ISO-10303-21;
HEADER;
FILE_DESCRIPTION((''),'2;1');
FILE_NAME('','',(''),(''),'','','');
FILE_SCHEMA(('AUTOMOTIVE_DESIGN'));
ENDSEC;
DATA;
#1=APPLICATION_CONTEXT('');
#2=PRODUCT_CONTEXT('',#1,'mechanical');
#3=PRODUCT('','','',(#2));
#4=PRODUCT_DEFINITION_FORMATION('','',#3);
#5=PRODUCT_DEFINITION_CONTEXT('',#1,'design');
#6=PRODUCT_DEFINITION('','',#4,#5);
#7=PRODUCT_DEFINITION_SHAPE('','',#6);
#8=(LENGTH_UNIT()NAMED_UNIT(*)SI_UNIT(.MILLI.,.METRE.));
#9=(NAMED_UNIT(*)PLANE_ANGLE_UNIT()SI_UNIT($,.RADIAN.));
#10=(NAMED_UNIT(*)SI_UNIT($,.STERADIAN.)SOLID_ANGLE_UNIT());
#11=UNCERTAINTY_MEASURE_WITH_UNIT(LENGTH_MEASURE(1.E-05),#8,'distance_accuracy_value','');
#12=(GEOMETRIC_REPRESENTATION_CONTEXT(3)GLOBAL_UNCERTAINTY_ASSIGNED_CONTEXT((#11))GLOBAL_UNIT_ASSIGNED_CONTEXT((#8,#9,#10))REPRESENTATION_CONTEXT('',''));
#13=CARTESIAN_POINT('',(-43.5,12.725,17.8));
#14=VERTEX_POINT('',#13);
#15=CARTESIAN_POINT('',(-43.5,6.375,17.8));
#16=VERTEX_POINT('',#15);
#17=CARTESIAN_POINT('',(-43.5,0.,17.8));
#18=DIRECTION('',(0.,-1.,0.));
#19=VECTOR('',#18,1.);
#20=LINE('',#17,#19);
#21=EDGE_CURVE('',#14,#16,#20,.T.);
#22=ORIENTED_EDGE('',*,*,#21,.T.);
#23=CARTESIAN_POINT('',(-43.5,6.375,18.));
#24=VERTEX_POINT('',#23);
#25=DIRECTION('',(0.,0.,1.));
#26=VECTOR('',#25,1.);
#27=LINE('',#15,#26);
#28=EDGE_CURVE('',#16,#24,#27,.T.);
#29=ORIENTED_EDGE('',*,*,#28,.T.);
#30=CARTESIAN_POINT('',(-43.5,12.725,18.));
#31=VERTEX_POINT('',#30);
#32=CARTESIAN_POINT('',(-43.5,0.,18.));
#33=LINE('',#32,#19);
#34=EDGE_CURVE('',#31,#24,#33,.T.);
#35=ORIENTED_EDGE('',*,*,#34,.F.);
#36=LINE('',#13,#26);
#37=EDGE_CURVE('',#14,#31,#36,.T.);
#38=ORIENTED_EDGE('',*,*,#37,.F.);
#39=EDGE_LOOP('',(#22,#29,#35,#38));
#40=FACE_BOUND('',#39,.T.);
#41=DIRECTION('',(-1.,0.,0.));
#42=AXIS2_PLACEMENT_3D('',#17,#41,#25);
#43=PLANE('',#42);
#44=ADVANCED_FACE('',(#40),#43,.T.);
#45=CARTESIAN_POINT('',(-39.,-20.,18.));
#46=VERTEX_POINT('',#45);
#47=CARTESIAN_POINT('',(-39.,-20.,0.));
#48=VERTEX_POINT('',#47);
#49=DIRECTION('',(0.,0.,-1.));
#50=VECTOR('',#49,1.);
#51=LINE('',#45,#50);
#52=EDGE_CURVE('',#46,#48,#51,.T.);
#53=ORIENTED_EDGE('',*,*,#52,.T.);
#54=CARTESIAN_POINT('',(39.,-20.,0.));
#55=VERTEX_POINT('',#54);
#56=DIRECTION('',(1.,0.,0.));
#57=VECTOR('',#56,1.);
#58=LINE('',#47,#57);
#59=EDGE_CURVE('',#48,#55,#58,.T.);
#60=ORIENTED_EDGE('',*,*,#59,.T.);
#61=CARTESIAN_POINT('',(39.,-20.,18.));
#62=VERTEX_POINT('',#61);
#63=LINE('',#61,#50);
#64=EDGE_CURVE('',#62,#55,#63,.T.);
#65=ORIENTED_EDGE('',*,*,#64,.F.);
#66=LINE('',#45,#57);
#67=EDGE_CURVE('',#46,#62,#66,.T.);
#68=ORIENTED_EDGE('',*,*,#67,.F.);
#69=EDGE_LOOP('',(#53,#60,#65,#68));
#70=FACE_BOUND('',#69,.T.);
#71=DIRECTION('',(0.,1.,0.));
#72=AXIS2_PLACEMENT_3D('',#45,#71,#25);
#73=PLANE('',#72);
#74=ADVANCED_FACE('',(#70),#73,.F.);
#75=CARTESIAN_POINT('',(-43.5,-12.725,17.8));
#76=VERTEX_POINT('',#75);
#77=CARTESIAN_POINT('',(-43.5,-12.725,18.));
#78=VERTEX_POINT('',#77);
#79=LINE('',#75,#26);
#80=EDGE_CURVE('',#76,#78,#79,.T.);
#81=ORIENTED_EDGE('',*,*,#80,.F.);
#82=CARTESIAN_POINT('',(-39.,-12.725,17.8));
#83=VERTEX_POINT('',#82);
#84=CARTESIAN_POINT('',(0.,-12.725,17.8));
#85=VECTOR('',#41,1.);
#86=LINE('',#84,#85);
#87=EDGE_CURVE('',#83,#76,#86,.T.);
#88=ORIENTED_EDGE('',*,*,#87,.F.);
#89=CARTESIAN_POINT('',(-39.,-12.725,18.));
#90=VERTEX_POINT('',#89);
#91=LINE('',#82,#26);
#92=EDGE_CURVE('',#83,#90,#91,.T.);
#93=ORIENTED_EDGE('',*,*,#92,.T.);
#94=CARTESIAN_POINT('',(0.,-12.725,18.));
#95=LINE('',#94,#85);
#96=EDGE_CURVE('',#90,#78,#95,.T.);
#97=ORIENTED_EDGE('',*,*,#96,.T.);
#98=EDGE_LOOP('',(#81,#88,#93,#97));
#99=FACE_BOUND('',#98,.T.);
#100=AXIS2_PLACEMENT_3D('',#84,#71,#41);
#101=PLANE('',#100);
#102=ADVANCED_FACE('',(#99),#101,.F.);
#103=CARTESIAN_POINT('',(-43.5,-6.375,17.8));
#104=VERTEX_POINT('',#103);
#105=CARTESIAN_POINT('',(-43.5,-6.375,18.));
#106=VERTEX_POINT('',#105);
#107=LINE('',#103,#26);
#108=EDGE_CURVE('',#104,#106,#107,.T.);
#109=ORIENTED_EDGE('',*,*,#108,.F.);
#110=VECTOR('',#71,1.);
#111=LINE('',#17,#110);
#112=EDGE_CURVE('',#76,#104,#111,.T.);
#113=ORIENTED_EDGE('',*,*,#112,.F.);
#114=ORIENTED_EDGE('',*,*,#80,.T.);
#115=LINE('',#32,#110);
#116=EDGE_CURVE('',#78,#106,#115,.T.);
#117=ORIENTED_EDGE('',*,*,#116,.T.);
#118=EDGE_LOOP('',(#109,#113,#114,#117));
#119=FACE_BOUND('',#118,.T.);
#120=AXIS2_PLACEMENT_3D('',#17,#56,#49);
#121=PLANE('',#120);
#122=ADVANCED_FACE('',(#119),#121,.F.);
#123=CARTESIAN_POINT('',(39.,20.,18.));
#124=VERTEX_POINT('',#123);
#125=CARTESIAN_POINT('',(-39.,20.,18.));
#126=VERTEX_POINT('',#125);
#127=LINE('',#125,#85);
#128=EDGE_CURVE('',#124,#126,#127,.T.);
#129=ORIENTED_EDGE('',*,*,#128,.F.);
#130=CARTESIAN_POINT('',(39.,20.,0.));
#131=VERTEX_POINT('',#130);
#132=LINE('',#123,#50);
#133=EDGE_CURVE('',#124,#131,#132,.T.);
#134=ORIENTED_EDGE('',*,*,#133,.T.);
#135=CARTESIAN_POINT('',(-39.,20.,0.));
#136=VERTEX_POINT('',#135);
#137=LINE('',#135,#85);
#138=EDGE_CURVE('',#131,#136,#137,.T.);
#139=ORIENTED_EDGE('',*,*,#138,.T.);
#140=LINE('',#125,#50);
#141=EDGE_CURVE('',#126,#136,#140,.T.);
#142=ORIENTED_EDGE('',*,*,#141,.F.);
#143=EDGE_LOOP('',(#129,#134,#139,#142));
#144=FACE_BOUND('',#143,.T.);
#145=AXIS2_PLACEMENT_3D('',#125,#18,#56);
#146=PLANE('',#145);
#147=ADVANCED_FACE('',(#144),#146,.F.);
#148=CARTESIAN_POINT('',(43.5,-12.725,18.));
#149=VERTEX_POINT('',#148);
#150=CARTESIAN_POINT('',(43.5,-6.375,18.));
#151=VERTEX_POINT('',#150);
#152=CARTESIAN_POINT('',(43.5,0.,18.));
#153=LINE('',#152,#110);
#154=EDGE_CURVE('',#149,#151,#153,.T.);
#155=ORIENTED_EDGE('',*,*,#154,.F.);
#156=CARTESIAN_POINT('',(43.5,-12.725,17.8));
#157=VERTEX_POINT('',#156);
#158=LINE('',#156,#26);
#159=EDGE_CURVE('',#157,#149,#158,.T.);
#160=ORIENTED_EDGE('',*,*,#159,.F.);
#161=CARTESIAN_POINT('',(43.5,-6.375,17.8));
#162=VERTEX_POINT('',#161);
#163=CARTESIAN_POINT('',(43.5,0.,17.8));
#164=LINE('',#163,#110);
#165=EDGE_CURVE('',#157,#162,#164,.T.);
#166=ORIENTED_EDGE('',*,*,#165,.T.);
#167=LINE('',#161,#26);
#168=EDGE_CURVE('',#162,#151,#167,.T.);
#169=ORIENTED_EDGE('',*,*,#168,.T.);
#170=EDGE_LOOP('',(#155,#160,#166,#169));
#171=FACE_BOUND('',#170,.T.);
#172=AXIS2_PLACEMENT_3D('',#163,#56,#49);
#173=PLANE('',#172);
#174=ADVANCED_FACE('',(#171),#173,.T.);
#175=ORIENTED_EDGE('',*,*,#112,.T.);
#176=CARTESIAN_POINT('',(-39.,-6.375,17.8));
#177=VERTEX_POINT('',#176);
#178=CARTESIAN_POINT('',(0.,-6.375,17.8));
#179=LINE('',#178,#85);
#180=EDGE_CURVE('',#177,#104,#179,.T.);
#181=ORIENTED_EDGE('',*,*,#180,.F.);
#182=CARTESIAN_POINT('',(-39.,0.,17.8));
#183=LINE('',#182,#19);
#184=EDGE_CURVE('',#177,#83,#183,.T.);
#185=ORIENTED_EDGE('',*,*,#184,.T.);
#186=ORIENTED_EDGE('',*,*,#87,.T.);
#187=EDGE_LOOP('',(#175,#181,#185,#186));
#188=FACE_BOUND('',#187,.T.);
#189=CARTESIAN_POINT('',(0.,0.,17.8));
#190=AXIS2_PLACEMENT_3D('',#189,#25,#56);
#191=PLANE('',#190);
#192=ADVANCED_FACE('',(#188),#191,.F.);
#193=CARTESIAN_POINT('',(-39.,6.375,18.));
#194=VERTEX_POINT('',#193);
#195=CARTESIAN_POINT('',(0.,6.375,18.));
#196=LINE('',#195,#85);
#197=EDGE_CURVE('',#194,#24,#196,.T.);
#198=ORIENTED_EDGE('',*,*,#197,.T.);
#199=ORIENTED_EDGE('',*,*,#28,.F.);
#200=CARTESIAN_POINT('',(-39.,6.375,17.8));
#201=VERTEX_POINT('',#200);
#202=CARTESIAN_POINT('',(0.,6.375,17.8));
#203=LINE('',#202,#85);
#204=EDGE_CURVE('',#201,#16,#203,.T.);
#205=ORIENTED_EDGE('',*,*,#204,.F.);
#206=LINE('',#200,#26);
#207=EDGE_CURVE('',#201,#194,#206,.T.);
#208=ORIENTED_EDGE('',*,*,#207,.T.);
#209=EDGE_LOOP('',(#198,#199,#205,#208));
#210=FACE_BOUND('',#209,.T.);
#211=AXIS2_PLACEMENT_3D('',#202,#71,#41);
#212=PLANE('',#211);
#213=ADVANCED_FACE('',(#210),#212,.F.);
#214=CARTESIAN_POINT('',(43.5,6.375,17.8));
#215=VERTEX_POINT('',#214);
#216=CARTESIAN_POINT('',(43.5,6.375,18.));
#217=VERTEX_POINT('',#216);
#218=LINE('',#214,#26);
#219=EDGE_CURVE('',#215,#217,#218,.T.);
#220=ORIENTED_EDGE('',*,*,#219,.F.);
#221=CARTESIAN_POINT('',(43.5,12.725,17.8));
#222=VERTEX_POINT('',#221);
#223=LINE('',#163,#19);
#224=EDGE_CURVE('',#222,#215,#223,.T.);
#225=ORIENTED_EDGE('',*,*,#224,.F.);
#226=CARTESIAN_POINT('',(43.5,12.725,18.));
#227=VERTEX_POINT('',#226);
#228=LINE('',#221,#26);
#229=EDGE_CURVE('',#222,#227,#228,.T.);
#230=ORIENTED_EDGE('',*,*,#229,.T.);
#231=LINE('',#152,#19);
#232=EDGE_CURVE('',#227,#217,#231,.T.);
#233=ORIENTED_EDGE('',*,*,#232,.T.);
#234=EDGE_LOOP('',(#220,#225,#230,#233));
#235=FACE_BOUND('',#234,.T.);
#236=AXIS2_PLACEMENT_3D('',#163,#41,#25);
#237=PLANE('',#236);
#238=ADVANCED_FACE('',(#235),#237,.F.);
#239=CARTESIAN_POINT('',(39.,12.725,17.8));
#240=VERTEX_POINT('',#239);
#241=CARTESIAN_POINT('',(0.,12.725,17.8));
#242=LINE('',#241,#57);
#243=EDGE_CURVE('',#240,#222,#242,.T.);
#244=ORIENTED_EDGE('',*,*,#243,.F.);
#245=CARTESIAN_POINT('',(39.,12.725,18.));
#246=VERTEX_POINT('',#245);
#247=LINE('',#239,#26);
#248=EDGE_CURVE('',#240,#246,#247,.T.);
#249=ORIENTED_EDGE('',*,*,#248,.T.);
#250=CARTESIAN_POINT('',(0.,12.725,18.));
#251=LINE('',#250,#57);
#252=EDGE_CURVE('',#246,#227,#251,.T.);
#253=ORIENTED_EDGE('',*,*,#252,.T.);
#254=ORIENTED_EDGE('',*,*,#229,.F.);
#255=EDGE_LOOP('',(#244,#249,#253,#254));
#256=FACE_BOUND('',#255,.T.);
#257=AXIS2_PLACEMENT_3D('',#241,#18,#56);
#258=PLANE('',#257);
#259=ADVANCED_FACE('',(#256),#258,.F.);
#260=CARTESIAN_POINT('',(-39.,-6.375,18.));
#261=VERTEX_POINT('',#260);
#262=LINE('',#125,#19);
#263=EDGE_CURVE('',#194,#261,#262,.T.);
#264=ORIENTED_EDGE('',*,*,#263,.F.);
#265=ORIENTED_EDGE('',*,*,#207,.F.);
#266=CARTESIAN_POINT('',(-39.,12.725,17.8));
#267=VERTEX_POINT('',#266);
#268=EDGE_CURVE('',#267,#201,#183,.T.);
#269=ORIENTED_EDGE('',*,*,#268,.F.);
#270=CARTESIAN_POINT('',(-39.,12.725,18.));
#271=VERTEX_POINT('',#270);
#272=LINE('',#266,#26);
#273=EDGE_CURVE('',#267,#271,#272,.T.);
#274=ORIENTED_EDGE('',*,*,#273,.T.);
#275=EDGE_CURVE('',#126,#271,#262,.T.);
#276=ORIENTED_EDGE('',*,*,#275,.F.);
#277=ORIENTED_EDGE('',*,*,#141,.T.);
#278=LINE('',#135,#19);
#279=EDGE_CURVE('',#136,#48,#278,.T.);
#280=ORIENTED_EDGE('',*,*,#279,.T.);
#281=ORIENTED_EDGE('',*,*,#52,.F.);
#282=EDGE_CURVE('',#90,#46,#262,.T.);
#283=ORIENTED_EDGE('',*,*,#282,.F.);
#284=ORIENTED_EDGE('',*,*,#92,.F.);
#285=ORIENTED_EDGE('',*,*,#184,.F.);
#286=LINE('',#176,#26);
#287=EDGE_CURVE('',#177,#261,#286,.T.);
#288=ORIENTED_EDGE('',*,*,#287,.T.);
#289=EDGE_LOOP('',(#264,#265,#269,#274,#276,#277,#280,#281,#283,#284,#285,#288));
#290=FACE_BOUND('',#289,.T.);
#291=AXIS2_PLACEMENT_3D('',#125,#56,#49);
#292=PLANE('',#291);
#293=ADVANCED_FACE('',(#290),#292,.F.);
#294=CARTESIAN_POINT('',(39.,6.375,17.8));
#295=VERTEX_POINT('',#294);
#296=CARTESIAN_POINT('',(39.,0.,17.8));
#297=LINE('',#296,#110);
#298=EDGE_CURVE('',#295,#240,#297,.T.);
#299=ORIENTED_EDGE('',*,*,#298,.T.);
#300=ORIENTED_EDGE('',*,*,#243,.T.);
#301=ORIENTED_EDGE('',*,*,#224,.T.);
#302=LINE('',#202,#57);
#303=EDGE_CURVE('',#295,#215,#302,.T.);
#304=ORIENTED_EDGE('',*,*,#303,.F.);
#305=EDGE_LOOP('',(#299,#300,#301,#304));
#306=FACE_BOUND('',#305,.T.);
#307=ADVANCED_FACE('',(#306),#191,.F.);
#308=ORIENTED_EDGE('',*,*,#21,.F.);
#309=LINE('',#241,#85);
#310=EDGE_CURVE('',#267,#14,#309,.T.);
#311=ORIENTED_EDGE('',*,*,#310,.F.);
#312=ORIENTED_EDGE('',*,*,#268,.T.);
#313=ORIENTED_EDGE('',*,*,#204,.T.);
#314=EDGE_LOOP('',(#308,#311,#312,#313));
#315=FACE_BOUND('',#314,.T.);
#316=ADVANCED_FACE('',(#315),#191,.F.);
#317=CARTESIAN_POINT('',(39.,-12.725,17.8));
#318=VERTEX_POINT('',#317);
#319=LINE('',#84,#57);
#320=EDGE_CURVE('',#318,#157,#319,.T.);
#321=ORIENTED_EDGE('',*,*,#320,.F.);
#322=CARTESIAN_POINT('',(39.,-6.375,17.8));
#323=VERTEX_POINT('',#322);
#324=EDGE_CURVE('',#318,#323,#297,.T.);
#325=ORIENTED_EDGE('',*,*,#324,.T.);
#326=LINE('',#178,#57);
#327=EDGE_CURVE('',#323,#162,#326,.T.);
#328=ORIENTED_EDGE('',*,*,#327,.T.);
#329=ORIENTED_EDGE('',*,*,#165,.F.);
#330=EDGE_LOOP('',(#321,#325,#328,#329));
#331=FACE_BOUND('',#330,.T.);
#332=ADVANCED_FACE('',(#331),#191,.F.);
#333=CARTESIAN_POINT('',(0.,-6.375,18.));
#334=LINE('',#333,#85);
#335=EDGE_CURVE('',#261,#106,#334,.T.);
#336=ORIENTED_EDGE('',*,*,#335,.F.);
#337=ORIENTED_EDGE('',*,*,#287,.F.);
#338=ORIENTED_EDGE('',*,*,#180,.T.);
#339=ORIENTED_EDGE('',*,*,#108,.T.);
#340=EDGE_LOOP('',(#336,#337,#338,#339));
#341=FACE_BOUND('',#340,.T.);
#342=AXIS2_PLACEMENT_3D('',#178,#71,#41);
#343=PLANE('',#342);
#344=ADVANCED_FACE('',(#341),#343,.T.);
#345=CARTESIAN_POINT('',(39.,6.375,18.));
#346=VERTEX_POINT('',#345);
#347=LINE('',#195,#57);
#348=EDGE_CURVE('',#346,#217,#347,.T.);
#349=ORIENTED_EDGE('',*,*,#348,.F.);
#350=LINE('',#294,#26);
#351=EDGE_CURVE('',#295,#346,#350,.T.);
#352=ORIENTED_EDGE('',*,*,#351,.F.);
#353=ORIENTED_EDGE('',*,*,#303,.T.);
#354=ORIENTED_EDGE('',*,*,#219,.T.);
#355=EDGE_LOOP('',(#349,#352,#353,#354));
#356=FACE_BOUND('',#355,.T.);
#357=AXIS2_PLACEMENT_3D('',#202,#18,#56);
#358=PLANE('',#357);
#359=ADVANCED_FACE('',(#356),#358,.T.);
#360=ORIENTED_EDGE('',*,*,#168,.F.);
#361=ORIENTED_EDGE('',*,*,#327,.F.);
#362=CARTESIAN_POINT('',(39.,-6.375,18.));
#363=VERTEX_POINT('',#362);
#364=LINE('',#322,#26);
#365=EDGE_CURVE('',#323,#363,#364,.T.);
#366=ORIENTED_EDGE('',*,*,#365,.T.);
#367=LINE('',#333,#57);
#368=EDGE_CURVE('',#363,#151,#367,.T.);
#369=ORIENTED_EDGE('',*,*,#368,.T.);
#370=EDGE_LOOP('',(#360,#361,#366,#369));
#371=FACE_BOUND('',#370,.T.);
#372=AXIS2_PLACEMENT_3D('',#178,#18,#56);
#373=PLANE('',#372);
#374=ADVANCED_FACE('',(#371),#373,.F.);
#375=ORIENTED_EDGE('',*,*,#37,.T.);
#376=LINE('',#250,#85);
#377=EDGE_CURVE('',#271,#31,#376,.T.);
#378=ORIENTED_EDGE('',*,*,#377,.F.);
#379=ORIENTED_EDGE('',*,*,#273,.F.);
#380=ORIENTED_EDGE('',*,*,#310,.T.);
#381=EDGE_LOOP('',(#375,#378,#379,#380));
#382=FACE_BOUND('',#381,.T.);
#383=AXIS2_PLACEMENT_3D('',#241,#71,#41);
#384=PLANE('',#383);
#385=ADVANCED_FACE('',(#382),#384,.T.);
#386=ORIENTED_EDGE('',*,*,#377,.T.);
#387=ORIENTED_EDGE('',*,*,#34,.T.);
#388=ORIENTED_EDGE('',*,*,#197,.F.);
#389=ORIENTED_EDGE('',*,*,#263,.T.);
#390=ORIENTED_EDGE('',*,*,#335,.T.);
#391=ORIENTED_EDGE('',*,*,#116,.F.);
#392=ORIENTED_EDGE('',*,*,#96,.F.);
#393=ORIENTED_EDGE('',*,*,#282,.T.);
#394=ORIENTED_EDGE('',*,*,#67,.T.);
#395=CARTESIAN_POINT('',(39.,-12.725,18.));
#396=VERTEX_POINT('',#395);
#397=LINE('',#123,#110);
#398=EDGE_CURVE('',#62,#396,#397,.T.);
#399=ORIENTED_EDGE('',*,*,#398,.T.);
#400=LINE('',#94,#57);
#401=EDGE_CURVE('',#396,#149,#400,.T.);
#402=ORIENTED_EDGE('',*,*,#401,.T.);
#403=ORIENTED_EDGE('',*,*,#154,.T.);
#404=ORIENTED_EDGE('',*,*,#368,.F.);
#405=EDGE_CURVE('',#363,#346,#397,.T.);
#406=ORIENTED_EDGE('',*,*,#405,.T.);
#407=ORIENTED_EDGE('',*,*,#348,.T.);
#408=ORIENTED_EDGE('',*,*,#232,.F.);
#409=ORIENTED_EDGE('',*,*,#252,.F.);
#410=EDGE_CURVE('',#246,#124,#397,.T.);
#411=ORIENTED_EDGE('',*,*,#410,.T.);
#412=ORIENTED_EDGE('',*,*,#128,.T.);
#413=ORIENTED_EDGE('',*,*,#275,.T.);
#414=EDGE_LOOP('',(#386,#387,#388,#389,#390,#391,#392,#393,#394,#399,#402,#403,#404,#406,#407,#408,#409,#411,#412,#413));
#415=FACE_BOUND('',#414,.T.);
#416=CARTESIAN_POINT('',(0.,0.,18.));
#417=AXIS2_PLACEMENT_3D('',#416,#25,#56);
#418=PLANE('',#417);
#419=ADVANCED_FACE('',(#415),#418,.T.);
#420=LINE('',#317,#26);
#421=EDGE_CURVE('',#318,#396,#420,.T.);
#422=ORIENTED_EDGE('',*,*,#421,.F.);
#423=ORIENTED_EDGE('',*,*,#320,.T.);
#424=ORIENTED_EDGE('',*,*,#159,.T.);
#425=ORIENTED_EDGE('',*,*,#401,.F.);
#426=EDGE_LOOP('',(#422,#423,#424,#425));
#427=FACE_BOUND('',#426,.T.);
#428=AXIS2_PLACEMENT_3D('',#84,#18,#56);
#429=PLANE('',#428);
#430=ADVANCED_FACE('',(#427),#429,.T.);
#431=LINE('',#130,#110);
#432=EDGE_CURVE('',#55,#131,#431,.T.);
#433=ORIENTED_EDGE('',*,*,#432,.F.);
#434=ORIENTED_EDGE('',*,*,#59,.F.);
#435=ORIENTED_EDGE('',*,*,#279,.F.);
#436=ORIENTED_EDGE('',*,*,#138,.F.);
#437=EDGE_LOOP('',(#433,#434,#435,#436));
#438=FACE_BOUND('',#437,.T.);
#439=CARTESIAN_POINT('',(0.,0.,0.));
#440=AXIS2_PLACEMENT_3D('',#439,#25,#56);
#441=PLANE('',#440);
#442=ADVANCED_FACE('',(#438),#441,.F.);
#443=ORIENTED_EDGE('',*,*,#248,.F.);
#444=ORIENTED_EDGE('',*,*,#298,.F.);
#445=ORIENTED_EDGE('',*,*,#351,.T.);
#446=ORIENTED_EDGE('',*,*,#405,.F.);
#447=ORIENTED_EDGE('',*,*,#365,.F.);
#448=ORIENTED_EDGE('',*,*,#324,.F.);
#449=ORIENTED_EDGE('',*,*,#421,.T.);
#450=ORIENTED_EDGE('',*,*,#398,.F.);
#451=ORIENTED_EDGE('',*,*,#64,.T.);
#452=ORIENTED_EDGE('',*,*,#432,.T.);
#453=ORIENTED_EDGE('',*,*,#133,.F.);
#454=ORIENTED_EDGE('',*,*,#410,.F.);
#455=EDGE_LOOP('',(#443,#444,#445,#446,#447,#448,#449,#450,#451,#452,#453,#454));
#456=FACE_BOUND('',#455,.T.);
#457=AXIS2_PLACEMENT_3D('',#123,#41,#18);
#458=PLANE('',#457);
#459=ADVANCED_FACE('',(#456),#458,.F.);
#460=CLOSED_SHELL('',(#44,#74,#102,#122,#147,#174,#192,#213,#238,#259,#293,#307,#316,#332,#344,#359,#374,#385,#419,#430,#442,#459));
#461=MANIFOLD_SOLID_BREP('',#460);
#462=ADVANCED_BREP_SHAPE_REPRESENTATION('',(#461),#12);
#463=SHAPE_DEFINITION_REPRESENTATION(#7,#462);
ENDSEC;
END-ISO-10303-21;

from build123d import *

# Parameters (mm, degrees)
SKETCH_1_W      = 78
SKETCH_1_H      = 40
EXTRUDE_1_DEPTH = 18
SKETCH_2_W      = 4.5
SKETCH_2_H      = 6.35
EXTRUDE_2_DEPTH = 0.2


with BuildPart() as part:
    # 草图1 → 凸台-拉伸1 (new body)
    with BuildSketch(Plane.XY):
        Rectangle(SKETCH_1_W, SKETCH_1_H)
    extrude(amount=EXTRUDE_1_DEPTH)

    # 草图2 → 凸台-拉伸2 (add)
    with BuildSketch(Plane.XY.offset(18)):
        with Locations((-41.25, 9.55)):
            Rectangle(SKETCH_2_W, SKETCH_2_H)
        with Locations((-41.25, -9.55)):
            Rectangle(SKETCH_2_W, SKETCH_2_H)
        with Locations((41.25, 9.55)):
            Rectangle(SKETCH_2_W, SKETCH_2_H)
        with Locations((41.25, -9.55)):
            Rectangle(SKETCH_2_W, SKETCH_2_H)
    extrude(amount=-EXTRUDE_2_DEPTH)


solid = part.part
